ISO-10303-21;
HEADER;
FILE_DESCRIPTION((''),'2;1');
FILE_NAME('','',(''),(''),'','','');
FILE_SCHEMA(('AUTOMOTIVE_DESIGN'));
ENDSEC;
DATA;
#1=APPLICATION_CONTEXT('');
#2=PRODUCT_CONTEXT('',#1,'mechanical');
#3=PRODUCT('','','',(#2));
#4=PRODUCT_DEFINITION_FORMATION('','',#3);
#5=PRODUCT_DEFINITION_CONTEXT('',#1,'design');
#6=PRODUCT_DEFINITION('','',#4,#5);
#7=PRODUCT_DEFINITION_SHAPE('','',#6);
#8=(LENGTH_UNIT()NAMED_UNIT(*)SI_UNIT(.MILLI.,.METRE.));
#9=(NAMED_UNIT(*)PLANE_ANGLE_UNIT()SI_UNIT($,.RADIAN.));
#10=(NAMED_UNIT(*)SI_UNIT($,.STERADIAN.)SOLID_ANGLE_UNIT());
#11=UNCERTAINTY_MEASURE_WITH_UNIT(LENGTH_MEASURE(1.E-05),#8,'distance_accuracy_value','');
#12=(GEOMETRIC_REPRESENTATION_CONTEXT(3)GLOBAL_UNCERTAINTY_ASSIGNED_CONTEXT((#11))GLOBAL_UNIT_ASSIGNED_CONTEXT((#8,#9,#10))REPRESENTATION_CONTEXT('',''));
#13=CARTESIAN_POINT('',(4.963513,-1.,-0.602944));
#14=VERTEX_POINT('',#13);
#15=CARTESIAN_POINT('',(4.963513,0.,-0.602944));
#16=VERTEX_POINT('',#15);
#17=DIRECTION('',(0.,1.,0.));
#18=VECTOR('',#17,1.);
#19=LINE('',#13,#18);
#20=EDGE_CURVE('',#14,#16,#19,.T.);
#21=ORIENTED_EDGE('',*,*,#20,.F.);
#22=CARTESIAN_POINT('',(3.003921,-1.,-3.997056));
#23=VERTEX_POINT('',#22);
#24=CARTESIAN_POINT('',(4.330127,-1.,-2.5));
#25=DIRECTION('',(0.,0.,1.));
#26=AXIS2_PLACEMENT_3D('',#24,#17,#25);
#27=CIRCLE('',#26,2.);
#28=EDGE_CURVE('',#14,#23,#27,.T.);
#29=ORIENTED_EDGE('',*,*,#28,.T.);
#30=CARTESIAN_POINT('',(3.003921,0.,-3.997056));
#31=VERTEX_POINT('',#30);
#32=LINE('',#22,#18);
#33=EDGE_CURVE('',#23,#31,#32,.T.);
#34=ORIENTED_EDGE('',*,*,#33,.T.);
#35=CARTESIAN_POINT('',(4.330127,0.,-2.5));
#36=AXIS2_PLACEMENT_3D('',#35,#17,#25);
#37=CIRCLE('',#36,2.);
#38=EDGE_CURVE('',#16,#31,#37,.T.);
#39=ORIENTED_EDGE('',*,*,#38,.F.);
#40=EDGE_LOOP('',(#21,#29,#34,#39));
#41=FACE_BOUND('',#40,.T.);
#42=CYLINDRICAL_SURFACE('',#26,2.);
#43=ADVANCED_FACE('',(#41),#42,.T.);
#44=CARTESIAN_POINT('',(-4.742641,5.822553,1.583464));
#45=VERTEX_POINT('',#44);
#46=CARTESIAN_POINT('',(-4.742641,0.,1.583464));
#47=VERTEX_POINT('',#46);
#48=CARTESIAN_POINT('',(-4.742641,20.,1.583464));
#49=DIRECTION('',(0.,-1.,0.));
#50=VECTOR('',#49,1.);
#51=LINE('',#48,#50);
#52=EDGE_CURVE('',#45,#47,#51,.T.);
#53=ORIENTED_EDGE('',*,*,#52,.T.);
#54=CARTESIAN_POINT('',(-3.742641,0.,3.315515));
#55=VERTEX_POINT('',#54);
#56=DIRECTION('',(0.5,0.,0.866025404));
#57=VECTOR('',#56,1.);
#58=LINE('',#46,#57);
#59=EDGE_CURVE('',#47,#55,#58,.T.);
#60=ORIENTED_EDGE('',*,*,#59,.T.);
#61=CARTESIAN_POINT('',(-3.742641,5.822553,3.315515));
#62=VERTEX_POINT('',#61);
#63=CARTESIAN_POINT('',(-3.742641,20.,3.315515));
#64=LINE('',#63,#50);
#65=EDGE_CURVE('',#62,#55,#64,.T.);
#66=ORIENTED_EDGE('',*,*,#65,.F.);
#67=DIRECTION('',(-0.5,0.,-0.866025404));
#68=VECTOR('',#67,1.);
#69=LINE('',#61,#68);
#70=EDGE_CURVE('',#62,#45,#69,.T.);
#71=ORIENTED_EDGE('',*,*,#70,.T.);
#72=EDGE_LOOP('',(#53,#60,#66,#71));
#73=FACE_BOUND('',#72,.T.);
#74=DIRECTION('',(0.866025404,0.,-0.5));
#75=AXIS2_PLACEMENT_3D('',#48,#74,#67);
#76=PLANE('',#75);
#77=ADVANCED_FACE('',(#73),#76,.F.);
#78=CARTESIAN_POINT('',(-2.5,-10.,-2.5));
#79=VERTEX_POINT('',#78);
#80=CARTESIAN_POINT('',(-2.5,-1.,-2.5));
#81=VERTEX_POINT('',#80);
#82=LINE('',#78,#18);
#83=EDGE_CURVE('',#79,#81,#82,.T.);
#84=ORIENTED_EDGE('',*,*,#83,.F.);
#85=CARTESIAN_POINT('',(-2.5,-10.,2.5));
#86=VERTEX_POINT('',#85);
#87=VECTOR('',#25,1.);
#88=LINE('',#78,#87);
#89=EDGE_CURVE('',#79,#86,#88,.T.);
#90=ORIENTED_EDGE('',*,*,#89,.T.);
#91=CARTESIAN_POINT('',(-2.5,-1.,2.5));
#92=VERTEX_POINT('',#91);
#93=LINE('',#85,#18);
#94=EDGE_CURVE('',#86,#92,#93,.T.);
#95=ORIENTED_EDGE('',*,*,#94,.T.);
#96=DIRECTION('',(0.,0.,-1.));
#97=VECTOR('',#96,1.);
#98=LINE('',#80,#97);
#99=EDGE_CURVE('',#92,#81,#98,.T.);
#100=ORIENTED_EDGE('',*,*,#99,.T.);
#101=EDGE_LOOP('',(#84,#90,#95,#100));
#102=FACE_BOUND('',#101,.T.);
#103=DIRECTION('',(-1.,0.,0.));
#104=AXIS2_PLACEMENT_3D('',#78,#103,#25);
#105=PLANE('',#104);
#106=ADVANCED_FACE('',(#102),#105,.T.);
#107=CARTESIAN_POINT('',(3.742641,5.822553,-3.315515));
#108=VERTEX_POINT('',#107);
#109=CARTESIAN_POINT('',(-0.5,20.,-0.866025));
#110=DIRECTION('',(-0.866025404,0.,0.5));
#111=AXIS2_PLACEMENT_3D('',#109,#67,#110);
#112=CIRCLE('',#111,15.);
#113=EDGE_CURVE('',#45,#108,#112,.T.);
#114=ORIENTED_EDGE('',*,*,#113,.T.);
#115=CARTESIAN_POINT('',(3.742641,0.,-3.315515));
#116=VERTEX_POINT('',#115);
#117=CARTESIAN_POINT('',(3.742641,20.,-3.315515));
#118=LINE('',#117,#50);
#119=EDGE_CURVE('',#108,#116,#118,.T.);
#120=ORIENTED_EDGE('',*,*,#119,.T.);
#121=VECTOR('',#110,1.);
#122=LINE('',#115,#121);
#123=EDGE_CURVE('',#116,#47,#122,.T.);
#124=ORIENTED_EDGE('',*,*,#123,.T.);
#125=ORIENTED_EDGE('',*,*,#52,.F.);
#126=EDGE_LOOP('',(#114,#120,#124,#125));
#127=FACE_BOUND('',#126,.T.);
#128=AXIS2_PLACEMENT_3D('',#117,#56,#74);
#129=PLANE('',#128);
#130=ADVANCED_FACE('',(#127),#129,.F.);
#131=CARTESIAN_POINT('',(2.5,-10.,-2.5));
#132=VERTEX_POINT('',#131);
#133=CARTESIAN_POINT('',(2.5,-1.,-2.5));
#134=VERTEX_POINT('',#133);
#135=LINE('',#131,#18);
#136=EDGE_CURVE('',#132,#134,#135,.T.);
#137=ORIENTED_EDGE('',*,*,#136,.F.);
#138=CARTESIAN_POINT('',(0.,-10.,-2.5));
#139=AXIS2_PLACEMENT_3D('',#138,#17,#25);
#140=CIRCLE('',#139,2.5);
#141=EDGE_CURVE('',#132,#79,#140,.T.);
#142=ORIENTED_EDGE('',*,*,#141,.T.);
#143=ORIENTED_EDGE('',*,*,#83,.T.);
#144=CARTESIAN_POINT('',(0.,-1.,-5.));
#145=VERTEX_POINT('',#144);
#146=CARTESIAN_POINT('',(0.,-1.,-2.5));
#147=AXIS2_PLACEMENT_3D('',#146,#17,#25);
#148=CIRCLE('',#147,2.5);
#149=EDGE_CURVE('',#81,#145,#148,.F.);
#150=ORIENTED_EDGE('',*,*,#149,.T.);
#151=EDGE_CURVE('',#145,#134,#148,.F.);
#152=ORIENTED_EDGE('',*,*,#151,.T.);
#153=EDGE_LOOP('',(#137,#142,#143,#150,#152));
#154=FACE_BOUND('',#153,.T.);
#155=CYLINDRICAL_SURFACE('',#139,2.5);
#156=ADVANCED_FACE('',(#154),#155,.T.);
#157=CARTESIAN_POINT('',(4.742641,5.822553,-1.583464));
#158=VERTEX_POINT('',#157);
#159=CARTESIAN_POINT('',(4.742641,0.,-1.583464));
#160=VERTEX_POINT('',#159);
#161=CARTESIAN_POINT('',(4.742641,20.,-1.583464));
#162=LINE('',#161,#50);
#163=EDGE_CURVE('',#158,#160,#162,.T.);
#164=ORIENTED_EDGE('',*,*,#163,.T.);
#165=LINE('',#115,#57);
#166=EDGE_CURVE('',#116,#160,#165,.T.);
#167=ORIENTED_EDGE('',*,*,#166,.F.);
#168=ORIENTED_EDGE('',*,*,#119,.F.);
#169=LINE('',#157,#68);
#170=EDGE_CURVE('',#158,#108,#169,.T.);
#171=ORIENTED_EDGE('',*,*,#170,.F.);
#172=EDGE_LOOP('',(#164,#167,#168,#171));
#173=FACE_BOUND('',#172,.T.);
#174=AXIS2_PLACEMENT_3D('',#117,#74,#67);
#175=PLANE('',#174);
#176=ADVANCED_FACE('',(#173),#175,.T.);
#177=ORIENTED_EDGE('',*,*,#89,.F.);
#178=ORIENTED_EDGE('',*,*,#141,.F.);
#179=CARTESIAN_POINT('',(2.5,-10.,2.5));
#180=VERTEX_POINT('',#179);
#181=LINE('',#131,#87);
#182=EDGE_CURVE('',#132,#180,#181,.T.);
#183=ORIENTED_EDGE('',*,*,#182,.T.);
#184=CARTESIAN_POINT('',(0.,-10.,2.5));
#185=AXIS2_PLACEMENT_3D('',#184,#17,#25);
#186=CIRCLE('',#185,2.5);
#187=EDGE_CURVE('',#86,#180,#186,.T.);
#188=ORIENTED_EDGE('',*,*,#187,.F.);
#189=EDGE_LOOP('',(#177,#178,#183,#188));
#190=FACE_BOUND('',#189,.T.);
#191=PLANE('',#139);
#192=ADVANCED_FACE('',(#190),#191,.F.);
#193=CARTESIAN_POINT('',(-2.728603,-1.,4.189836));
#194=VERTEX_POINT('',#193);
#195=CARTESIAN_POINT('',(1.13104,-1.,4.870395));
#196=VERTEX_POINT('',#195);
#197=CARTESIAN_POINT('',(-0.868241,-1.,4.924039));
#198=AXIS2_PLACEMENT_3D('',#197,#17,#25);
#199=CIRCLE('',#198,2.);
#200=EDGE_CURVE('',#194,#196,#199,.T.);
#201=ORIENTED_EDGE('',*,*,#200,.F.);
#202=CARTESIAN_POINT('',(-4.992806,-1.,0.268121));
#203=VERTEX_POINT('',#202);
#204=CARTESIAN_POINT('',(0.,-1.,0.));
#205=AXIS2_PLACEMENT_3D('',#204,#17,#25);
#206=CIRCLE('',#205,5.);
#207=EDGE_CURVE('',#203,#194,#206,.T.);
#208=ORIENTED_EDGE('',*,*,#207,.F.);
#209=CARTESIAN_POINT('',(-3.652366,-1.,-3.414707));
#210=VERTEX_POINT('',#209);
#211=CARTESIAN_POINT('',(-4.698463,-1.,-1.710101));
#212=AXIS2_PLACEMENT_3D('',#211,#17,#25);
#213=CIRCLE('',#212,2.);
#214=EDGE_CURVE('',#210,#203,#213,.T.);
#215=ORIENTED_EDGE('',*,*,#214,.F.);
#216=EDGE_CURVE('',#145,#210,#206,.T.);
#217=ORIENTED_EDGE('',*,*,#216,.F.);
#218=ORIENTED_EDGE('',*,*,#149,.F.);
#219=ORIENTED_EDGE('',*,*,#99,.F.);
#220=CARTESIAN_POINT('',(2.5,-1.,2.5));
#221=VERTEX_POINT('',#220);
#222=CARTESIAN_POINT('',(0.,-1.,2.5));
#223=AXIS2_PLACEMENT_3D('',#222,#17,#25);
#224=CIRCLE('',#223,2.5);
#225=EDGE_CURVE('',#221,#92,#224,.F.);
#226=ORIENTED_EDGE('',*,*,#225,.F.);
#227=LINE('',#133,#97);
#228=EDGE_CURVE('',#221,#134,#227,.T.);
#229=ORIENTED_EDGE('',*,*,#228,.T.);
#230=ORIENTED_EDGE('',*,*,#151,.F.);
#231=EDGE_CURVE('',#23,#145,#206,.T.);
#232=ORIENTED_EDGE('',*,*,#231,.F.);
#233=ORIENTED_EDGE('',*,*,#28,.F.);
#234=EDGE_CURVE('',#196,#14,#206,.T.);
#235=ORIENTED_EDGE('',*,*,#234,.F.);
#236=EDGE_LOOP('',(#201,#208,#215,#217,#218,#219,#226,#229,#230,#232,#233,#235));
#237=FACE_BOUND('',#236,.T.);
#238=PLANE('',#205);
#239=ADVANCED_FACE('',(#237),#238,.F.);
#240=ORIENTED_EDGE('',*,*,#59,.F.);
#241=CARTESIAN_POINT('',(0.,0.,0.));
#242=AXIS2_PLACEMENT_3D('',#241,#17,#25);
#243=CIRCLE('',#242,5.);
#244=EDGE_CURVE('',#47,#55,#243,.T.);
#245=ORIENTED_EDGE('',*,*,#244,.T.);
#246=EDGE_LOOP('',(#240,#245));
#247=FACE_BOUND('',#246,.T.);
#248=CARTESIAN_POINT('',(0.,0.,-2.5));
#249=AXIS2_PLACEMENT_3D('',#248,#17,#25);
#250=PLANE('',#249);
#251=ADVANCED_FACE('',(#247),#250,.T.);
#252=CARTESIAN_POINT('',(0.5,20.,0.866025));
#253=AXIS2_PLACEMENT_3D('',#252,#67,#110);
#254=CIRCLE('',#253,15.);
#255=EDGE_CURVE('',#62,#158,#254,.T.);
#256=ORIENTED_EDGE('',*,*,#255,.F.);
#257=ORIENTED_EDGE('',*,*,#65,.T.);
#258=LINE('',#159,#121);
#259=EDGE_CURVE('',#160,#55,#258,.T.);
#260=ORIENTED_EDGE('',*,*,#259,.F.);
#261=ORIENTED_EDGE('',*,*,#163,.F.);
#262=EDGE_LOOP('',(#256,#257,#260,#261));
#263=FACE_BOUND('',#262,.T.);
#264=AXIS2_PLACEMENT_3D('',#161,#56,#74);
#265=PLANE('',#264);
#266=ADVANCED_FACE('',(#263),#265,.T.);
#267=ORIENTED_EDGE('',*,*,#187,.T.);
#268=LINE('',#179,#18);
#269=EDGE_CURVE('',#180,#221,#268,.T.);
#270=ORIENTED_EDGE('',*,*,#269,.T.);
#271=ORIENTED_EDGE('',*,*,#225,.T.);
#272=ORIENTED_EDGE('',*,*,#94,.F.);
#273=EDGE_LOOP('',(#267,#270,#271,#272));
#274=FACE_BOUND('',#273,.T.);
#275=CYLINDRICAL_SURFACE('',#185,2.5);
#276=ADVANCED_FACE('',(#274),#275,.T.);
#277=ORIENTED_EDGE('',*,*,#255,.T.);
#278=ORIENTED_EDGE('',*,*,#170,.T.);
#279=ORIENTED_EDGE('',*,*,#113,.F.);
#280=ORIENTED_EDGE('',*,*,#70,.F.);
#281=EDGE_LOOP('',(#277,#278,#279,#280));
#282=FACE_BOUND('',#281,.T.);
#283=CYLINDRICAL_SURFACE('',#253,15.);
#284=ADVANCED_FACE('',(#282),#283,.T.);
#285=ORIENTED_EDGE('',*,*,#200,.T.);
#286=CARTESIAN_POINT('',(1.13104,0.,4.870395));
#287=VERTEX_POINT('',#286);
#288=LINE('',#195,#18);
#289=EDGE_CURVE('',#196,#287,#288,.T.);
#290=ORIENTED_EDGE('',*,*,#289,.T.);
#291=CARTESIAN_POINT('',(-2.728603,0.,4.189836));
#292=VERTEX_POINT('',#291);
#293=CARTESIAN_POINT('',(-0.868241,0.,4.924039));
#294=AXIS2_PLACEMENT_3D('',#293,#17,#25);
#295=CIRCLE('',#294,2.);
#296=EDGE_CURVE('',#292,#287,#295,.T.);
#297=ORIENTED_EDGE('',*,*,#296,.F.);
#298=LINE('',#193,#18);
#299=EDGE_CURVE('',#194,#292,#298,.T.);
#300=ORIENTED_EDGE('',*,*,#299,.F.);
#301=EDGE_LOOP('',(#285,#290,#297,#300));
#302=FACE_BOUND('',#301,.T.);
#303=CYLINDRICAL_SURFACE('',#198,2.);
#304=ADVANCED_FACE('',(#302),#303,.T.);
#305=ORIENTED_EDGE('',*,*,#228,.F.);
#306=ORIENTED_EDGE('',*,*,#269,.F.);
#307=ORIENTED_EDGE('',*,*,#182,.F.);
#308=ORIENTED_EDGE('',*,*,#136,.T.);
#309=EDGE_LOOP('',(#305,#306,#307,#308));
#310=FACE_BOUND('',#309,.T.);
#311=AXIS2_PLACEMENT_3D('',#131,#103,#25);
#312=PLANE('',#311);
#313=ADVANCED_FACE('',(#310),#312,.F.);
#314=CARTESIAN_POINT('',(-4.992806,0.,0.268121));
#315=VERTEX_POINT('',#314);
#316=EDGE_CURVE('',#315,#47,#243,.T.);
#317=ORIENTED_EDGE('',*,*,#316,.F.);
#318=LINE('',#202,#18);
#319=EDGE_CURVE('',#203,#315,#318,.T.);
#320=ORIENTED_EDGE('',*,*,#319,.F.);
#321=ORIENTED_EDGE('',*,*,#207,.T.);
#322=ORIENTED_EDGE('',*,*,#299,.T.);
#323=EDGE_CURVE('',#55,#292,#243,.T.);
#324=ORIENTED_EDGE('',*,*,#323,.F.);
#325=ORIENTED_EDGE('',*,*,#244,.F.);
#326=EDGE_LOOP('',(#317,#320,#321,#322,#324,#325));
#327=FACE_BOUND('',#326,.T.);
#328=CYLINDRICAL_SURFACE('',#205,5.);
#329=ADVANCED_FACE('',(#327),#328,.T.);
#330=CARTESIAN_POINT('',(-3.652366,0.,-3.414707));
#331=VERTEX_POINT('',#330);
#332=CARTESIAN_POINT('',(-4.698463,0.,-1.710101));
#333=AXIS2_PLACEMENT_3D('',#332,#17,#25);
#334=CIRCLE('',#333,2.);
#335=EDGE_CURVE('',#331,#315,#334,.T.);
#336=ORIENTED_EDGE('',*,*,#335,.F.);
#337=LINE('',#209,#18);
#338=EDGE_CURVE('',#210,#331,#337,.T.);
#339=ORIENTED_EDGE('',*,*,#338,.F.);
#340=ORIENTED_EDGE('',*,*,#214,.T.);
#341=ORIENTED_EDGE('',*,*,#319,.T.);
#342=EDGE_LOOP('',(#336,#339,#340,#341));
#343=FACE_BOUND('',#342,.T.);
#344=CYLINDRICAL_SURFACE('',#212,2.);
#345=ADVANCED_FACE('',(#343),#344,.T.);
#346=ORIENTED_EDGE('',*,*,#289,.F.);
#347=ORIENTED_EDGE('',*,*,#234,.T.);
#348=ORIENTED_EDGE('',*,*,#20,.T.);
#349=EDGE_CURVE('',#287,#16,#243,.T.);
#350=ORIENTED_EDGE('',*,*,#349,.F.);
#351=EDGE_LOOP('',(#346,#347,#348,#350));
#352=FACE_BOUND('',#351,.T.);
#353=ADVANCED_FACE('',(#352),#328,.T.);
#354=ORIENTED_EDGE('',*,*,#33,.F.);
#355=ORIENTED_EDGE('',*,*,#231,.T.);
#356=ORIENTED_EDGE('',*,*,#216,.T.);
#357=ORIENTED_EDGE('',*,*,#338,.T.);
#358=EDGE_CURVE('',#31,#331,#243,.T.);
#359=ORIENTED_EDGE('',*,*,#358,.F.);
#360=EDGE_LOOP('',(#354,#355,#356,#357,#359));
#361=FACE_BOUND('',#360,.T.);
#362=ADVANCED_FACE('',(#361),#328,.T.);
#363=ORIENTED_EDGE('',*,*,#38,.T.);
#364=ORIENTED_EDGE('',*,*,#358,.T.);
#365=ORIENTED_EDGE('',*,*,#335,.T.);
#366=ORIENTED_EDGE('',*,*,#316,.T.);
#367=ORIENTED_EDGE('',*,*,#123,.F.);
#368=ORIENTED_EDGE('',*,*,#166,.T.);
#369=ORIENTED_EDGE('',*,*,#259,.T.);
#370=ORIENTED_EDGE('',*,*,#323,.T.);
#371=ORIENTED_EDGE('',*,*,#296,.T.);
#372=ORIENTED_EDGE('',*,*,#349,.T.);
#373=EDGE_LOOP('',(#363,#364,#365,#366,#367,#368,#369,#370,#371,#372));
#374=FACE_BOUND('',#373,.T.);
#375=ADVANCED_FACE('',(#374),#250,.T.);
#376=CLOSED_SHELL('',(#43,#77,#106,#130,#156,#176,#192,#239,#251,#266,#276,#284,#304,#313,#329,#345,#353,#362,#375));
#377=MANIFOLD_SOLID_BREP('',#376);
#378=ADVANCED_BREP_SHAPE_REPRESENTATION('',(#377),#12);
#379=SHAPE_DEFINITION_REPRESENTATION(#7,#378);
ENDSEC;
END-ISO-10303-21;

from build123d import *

# Parameters (mm, degrees)
BOSS_EXTRUDE1_DEPTH = 10
BOSS_EXTRUDE2_DEPTH = 1
BOSS_EXTRUDE3_DEPTH = 20
SKETCH2_R           = 15
BOSS_EXTRUDE4_DEPTH = 2


with BuildPart() as part:
    # Sketch1 → Boss-Extrude1 (new body)
    with BuildSketch(Plane(origin=(0, 0, 0), x_dir=(1, 0, 0), z_dir=(0, 1, 0))):
        with BuildLine():
            Line((2.5, 2.5), (2.5, -2.5))
            ThreePointArc((2.5, -2.5), (0, -5), (-2.5, -2.5))
            Line((-2.5, -2.5), (-2.5, 2.5))
            ThreePointArc((-2.5, 2.5), (0, 5), (2.5, 2.5))
        make_face()
    extrude(amount=-BOSS_EXTRUDE1_DEPTH)

    # Sketch1<3> → Boss-Extrude2 (add)
    with BuildSketch(Plane(origin=(0, 0, 0), x_dir=(1, 0, 0), z_dir=(0, 1, 0))):
        with BuildLine():
            ThreePointArc((3.00392096, 3.997056275), (-0.435778714, 4.98097349), (-3.652366189, 3.414706608))
            ThreePointArc((-3.652366189, 3.414706608), (-6.577848346, 2.394141003), (-4.992805922, -0.268121289))
            ThreePointArc((-4.992805922, -0.268121289), (-4.330127019, -2.5), (-2.728602809, -4.18983612))
            ThreePointArc((-2.728602809, -4.18983612), (-1.215537244, -6.893654271), (1.131039574, -4.870395208))
            ThreePointArc((1.131039574, -4.870395208), (4.095760221, -2.867882182), (4.963512755, 0.602943725))
            ThreePointArc((4.963512755, 0.602943725), (6.062177826, 3.5), (3.00392096, 3.997056275))
        make_face()
    extrude(amount=-BOSS_EXTRUDE2_DEPTH)

    # Sketch1<5> → Boss-Extrude3 (add)
    with BuildSketch(Plane(origin=(0, 0, 0), x_dir=(1, 0, 0), z_dir=(0, 1, 0))):
        Polygon((3.742640687, 3.315515147), (4.742640687, 1.583464339), (-3.742640687, -3.315515147), (-4.742640687, -1.583464339), align=None)
    extrude(amount=BOSS_EXTRUDE3_DEPTH)

    # Sketch2 → Boss-Extrude4 (add)
    with BuildSketch(Plane(origin=(-0.500000000000002, 0, -0.8660254037844417), x_dir=(-0.8660254037844386, 0, 0.5000000000000002), z_dir=(-0.5000000000000001, 0, -0.8660254037844385))):
        with Locations((0, 20)):
            Circle(SKETCH2_R)
    extrude(amount=-BOSS_EXTRUDE4_DEPTH)


solid = part.part
